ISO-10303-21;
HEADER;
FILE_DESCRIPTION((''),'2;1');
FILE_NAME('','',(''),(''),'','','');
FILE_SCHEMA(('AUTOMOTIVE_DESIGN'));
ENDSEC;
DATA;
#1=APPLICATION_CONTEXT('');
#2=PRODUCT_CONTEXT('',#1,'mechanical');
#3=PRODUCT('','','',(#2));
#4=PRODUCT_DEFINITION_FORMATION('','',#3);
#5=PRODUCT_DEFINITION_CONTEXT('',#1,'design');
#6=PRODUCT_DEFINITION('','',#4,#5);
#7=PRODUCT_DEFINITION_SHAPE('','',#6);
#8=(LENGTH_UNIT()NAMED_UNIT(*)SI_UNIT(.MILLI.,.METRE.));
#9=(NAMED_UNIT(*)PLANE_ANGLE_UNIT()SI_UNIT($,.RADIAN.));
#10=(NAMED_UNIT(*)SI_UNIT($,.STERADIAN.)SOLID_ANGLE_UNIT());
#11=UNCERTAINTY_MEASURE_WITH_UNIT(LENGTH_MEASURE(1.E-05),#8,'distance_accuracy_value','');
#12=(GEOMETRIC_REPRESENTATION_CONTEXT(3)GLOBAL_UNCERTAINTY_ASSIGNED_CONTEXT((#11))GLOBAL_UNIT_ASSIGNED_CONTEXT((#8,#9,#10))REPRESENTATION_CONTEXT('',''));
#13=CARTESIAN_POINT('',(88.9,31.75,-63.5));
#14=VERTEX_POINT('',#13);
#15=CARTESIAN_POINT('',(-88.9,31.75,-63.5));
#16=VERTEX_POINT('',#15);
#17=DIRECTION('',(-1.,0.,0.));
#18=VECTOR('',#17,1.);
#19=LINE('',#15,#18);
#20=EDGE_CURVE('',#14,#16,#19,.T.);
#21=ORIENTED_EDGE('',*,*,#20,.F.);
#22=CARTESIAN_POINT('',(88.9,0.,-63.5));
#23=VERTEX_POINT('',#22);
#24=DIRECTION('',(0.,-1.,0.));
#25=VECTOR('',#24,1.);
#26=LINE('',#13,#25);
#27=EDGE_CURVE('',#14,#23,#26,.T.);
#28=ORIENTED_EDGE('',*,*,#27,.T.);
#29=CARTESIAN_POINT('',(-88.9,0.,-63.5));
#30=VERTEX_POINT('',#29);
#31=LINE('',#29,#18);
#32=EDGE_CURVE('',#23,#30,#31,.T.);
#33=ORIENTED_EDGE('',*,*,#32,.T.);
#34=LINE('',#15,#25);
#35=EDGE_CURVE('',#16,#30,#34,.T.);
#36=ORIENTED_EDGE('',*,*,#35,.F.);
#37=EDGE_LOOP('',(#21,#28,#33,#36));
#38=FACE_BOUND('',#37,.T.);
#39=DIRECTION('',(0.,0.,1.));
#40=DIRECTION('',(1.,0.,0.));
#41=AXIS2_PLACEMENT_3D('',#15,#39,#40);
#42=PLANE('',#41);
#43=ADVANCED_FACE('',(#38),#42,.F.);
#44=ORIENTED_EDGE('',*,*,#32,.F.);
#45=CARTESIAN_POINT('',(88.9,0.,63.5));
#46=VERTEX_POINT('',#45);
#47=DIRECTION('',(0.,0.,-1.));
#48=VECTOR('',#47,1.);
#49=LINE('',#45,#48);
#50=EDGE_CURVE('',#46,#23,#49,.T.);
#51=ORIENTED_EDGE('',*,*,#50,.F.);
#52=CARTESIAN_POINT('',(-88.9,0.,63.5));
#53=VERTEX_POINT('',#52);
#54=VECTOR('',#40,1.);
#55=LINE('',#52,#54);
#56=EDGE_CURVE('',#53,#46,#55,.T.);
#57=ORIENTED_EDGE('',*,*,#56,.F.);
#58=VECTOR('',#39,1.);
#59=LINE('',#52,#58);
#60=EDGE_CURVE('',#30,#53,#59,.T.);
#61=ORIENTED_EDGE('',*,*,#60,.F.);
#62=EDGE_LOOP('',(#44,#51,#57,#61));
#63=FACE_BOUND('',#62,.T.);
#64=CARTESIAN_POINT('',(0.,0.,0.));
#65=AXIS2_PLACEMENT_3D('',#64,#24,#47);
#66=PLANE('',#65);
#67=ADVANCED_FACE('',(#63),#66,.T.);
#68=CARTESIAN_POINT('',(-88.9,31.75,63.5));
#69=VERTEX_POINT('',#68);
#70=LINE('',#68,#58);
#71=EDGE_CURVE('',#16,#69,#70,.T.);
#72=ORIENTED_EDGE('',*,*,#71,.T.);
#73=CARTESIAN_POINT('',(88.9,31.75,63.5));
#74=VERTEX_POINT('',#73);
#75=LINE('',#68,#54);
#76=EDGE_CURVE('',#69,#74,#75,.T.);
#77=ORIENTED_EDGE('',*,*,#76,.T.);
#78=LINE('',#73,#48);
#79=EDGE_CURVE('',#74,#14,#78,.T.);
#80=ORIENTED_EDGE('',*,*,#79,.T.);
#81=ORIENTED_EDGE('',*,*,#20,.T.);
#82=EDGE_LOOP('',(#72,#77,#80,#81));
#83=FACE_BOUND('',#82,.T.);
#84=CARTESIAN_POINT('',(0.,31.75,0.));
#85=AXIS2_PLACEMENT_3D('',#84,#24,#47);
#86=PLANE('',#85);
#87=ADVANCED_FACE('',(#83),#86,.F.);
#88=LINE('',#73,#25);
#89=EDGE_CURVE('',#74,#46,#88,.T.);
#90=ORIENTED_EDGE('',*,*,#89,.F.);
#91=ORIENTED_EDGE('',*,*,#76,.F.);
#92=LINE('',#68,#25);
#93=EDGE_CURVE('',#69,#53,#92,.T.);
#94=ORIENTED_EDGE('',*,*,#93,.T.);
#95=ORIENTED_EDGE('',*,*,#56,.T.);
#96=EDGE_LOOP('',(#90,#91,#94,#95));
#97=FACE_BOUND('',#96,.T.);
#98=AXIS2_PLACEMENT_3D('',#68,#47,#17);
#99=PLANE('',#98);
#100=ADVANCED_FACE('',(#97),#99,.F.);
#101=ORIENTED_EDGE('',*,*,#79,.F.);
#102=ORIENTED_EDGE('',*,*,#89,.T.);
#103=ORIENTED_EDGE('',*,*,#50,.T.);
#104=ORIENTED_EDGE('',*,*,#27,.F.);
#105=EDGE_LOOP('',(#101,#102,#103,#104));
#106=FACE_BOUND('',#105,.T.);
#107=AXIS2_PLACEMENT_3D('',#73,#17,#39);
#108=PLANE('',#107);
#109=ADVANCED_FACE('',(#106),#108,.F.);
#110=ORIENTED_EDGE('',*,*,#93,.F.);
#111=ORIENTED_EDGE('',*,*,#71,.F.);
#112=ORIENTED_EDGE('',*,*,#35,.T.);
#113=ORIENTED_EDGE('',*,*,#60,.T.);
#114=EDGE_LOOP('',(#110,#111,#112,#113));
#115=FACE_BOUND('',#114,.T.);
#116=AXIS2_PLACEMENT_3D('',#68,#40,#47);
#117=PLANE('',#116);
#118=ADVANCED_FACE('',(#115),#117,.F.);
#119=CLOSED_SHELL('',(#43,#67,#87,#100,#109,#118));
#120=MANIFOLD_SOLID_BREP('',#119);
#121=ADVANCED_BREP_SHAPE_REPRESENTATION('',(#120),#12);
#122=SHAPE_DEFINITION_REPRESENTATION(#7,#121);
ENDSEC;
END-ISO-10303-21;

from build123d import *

# Parameters (mm, degrees)
SKETCH1_W           = 177.8
SKETCH1_H           = 127
BOSS_EXTRUDE1_DEPTH = 31.75


with BuildPart() as part:
    # Sketch1 → Boss-Extrude1 (new body)
    with BuildSketch(Plane(origin=(0, 0, 0), x_dir=(1, 0, 0), z_dir=(0, 1, 0))):
        Rectangle(SKETCH1_W, SKETCH1_H)
    extrude(amount=BOSS_EXTRUDE1_DEPTH)


solid = part.part
